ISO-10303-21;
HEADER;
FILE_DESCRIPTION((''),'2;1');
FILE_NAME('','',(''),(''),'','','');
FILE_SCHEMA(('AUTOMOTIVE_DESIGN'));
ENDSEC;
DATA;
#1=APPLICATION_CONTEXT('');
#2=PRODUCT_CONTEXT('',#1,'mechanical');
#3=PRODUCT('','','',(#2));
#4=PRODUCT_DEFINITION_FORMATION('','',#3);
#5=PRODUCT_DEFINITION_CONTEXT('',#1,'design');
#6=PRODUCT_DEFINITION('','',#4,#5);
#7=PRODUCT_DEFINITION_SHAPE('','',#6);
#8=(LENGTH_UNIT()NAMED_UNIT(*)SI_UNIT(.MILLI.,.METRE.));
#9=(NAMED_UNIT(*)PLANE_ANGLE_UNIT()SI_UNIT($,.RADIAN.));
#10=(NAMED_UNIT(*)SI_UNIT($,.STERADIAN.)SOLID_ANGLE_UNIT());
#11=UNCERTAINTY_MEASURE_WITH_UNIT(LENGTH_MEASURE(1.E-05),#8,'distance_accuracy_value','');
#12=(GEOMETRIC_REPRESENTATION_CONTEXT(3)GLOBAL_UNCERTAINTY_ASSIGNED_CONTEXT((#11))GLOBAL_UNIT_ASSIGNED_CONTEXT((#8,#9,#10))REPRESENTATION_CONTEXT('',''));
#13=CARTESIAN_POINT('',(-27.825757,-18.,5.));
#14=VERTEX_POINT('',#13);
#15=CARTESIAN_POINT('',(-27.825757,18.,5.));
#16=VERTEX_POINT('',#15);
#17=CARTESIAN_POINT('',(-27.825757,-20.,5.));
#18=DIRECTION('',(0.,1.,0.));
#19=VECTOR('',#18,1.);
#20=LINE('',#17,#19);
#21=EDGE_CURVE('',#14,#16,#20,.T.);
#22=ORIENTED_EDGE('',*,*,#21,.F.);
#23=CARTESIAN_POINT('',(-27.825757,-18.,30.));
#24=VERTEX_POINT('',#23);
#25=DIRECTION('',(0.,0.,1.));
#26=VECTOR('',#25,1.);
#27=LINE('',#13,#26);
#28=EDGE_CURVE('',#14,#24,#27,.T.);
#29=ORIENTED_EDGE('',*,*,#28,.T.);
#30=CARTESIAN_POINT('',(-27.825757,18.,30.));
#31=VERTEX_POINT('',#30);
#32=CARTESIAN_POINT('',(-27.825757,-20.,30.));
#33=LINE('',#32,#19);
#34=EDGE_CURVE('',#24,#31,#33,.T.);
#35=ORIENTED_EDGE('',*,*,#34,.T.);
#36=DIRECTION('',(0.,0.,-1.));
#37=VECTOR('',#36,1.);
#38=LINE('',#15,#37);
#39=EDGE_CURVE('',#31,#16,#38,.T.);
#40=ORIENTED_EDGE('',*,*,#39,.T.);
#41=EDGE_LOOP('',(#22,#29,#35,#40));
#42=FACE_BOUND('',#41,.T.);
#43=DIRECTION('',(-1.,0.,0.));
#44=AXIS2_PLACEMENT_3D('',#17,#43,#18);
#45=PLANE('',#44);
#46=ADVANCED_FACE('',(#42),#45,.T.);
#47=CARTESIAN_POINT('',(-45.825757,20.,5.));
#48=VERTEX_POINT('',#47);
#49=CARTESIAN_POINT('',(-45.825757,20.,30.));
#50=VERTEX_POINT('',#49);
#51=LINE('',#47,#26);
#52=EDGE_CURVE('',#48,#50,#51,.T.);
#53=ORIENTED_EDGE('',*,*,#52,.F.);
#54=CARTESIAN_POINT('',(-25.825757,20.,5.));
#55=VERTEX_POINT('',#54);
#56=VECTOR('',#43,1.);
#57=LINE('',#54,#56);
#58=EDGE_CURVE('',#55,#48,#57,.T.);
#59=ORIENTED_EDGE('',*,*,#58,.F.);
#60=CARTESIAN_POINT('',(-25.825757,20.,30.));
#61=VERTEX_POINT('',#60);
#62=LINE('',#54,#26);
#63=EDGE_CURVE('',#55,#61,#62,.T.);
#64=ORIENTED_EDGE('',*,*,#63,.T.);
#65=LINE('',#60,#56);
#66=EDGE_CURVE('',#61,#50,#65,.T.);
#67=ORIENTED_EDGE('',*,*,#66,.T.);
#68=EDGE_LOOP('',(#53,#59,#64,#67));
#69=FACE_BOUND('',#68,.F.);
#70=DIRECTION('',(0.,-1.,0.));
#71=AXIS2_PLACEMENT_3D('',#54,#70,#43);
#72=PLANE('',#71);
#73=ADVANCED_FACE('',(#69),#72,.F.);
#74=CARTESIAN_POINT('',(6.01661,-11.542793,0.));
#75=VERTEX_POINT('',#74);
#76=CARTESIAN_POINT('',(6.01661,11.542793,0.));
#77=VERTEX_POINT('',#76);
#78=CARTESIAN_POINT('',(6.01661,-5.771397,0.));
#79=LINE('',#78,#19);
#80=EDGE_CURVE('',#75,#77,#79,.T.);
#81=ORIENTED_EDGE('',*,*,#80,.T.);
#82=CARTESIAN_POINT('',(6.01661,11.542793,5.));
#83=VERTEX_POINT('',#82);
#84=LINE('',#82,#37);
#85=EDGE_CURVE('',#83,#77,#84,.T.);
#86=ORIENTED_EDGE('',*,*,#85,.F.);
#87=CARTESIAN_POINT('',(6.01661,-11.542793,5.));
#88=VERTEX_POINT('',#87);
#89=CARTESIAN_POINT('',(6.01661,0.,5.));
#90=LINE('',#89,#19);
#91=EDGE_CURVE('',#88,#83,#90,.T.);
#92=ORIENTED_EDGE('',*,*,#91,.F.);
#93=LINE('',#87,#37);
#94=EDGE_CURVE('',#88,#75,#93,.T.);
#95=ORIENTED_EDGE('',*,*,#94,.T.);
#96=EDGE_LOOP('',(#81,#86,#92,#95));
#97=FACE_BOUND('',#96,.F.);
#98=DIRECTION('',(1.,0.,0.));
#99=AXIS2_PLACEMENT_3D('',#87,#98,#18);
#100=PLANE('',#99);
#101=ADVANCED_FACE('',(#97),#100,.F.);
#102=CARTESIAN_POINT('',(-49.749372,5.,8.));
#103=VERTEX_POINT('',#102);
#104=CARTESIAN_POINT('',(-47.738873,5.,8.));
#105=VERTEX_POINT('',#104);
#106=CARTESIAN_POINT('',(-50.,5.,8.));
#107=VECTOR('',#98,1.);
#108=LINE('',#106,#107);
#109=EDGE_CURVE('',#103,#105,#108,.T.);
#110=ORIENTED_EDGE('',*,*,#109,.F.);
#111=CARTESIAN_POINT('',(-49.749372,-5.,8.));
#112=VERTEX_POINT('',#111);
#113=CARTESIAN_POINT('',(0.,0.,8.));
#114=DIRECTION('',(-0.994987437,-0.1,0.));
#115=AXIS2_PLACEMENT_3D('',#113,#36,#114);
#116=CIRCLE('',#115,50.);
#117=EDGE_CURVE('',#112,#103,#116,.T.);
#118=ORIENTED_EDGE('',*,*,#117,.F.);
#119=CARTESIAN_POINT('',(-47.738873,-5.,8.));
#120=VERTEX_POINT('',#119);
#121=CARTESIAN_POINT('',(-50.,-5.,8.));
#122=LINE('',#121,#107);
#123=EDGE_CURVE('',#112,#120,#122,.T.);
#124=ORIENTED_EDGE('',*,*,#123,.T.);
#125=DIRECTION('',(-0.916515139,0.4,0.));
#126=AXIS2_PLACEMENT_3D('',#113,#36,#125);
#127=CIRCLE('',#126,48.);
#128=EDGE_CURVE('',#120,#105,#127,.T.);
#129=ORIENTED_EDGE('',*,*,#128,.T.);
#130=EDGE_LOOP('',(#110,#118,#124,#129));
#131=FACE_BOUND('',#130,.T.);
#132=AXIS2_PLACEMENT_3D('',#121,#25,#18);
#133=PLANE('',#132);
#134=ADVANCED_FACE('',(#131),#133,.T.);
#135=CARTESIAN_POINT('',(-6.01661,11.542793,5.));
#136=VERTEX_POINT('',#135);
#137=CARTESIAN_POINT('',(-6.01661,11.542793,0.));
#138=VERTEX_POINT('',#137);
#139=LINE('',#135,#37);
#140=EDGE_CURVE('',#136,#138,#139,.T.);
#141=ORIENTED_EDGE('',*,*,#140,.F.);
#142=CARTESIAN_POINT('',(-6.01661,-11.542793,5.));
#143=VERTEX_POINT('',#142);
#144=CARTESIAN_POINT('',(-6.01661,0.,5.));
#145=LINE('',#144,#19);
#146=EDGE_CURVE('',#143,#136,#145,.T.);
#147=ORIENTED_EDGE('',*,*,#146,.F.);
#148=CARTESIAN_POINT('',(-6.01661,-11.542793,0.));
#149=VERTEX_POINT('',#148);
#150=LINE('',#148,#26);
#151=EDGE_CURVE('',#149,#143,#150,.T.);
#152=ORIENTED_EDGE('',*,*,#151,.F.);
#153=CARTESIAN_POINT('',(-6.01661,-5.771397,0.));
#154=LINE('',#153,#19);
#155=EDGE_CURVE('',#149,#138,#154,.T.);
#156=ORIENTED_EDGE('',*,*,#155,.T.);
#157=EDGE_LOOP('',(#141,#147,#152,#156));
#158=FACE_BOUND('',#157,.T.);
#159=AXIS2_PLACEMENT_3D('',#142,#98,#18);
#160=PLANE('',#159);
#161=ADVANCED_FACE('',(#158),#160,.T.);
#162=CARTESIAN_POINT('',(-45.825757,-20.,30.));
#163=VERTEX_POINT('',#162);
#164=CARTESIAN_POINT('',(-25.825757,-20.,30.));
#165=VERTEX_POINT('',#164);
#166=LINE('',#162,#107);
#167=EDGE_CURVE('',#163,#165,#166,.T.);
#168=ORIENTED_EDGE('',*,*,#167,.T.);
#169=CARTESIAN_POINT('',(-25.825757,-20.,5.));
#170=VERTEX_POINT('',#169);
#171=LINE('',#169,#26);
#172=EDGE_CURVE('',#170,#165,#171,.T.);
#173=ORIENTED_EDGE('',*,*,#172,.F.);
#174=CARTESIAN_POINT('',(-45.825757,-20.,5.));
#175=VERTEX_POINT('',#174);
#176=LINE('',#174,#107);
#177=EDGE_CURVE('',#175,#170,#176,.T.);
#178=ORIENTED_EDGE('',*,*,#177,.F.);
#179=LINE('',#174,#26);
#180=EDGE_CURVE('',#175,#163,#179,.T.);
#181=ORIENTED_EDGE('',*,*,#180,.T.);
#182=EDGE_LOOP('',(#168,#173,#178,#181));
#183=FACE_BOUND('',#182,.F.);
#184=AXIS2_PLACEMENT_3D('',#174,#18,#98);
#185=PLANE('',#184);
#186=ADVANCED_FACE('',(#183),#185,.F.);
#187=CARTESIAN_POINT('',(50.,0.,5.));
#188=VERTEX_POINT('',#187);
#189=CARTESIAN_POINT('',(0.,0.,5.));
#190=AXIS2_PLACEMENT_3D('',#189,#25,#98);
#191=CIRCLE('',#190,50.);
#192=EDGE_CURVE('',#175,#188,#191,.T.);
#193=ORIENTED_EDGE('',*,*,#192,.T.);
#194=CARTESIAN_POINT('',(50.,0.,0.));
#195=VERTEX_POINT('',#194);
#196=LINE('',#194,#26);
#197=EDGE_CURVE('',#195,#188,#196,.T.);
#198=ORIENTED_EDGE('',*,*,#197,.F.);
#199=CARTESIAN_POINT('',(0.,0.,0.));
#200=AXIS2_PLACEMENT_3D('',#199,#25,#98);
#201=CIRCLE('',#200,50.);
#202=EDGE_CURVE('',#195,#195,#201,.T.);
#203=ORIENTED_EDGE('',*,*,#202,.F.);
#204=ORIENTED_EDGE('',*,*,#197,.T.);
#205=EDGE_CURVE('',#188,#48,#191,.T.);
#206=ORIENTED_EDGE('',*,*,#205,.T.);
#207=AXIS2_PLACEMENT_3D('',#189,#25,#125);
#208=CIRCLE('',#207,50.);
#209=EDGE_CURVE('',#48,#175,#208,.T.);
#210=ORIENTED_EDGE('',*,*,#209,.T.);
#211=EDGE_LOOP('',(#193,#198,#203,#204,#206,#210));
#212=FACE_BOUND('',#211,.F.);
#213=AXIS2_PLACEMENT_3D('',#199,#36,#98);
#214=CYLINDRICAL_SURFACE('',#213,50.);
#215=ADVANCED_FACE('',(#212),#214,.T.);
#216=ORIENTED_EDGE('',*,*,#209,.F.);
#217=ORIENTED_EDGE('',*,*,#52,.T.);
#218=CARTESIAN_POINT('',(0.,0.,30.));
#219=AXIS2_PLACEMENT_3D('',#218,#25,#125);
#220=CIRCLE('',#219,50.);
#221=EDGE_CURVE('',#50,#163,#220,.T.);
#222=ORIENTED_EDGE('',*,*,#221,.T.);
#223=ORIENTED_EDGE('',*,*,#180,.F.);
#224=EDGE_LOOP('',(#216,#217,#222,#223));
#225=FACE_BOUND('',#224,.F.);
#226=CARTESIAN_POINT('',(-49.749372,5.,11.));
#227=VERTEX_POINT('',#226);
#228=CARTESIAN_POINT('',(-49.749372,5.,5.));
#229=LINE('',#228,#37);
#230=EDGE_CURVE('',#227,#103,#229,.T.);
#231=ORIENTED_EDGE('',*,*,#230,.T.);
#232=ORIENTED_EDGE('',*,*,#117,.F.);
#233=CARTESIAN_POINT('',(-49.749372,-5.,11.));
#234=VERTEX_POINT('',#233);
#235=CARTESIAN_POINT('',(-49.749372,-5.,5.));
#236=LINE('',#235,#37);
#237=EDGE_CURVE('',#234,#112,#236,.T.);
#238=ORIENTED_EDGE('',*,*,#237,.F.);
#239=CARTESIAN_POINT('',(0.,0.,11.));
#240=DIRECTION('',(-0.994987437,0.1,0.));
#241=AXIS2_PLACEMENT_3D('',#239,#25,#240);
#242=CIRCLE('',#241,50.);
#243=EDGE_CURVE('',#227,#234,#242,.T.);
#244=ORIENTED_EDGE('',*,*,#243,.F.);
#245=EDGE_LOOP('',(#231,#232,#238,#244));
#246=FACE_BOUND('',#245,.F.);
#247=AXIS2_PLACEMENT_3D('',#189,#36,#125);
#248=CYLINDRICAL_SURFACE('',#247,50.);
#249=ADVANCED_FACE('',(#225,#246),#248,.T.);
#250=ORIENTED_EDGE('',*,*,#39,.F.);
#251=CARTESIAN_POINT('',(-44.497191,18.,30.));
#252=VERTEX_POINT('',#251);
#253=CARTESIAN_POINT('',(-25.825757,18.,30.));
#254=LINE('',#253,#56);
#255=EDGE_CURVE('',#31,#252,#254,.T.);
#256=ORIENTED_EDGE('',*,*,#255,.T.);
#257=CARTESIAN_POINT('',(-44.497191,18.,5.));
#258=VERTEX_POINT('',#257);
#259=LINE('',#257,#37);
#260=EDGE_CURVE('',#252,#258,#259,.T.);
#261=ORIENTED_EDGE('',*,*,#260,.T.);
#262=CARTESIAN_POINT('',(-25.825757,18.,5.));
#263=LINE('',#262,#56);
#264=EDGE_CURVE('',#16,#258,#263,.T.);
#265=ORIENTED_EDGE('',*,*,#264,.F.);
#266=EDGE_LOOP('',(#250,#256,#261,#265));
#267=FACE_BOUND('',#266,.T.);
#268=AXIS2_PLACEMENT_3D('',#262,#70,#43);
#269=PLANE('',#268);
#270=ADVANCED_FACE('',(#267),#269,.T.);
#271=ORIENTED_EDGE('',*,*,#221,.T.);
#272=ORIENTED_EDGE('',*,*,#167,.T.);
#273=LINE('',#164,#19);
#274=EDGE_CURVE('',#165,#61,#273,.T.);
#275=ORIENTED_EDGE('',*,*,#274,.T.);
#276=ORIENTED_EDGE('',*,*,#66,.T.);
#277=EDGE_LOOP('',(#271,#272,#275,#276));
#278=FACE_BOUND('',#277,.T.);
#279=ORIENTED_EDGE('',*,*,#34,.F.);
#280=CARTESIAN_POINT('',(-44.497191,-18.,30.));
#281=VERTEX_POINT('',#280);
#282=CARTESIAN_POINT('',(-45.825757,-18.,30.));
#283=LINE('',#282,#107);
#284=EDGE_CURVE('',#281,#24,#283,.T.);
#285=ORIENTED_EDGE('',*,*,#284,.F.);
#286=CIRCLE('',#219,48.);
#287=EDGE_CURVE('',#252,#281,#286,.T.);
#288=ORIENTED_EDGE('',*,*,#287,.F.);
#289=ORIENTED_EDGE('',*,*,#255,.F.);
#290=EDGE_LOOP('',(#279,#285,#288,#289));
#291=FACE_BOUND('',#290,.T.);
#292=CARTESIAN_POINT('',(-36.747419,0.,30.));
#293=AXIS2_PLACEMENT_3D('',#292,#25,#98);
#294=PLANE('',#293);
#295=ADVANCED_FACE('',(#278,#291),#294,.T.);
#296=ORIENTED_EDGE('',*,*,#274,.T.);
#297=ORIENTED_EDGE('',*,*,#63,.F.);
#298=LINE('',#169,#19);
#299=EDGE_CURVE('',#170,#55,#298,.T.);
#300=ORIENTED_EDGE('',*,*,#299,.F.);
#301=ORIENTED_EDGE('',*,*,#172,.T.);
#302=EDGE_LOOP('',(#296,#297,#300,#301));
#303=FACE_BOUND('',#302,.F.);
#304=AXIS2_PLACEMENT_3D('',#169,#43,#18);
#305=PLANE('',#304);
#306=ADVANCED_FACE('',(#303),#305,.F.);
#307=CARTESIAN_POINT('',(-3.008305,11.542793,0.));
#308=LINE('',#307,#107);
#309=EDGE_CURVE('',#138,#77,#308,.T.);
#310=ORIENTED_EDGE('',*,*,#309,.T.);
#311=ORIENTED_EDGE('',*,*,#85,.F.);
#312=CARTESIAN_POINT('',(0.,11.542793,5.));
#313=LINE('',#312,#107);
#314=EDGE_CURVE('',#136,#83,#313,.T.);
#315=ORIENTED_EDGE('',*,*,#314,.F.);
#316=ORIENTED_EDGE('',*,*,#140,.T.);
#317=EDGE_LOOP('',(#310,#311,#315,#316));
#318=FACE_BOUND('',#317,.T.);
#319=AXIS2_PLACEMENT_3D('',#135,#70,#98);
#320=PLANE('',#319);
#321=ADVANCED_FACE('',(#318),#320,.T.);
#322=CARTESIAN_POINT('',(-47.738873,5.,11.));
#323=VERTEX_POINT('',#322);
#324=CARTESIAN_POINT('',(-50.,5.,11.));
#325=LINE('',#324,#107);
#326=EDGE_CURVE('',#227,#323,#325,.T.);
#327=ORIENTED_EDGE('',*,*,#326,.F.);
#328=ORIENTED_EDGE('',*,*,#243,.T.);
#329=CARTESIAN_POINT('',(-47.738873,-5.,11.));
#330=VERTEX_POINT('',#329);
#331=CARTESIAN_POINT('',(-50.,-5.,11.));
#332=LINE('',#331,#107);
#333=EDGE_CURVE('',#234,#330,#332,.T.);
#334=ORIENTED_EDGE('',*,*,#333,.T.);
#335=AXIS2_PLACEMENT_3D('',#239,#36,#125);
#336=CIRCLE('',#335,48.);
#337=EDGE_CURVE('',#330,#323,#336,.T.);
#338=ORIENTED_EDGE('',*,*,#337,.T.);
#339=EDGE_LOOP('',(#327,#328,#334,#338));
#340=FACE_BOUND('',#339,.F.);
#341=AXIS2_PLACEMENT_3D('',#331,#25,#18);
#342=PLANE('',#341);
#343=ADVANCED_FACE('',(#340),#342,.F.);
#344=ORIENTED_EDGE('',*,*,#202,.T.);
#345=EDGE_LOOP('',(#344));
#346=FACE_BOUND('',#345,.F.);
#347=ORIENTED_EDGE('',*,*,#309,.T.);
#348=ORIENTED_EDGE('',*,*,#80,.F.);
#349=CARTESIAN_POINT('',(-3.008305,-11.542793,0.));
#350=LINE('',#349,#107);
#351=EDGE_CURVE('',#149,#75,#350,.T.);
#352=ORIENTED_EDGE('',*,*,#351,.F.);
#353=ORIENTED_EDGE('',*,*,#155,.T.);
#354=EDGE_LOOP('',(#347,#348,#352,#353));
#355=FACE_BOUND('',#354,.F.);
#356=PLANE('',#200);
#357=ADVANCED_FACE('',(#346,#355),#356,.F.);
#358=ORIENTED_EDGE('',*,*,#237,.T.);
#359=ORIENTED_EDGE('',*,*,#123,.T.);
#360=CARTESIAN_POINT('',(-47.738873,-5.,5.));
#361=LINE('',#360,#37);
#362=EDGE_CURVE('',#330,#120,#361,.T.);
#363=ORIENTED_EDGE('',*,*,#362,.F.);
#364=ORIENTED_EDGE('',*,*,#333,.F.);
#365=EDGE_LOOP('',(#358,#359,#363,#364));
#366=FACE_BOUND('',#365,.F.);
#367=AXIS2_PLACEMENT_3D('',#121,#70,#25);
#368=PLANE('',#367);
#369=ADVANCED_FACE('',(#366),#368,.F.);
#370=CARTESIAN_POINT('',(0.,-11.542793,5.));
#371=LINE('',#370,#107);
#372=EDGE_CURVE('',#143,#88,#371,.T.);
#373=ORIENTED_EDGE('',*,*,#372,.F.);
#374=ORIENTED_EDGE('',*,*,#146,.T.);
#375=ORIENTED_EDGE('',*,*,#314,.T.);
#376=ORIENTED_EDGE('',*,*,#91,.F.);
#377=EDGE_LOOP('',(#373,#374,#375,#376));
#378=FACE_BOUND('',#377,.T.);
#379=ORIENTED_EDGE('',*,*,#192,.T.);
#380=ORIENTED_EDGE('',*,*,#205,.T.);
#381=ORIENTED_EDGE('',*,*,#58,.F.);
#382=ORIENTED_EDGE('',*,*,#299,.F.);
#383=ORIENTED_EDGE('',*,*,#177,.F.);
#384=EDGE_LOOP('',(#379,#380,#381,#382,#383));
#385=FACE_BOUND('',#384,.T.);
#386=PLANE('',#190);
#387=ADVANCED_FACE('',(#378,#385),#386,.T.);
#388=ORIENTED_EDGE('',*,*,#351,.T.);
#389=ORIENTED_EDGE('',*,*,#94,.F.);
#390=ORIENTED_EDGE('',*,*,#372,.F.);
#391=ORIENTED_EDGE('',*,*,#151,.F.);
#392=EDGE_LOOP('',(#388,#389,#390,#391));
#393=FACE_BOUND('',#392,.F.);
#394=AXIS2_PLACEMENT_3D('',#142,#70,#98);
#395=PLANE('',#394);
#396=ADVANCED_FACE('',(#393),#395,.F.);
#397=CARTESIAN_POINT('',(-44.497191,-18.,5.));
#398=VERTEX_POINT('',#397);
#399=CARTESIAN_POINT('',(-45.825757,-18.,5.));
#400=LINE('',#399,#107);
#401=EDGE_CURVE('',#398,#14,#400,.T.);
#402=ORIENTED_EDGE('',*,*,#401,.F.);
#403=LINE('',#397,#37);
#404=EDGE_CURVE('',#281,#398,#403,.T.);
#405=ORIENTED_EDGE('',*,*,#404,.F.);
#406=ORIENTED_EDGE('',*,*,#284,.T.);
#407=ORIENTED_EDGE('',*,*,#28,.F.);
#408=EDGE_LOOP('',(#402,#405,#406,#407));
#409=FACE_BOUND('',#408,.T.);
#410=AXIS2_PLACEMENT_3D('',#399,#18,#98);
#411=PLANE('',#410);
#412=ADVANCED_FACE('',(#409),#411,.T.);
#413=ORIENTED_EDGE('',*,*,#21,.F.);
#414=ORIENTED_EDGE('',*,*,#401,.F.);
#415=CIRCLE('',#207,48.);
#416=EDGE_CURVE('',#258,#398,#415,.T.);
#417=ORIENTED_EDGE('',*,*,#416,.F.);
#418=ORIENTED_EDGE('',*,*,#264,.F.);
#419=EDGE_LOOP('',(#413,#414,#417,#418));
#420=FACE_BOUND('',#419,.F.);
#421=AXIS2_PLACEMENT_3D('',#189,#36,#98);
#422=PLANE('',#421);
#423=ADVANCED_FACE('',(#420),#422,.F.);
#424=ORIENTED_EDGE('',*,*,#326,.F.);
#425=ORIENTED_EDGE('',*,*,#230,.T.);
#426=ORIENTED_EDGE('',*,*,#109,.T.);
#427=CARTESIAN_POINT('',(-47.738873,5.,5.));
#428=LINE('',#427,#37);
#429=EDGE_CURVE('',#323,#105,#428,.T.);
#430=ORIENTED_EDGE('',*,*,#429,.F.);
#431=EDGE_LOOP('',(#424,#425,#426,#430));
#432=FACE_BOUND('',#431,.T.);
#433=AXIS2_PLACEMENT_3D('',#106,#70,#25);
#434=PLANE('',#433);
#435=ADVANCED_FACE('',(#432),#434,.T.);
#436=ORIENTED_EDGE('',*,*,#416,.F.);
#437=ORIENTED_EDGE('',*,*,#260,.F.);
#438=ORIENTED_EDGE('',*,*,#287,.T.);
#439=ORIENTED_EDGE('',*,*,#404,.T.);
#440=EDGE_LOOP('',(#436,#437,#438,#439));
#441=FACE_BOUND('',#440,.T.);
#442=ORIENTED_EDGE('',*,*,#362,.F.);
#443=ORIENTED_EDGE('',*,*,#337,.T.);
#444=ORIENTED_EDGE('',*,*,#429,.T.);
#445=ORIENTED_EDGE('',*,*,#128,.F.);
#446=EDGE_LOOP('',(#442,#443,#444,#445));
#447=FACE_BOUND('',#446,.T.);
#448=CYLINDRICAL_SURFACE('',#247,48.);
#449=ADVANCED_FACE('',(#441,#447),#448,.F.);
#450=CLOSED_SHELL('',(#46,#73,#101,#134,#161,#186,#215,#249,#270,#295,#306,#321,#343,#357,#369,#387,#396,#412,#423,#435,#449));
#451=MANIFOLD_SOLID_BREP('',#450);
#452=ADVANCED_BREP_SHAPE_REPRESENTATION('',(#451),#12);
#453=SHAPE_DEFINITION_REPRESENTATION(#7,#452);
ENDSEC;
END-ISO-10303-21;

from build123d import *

# Parameters (mm, degrees)
F0_R      = 50
F1_DEPTH  = 5
F3_DEPTH  = 25
F4_T      = -2
F6_W      = 10
F6_H      = 3
F7_DEPTH  = 3
F8_W      = 12.0332203805
F8_H      = 23.0855867267
F9_DEPTH  = 25
F10_R     = 50
F10_W     = 12.0332203805
F10_H     = 23.0855867267
F11_DEPTH = 5


with BuildPart() as f1:
    # F0 (on Top) → F1 (new body)
    with BuildSketch(Plane.XY):
        Circle(F0_R)
    extrude(amount=F1_DEPTH)

    # F2 (on face) → F3 (join)
    with BuildSketch(Plane.XY.offset(5)):
        with BuildLine():
            Line((-25.8257569496, 20), (-45.8257569496, 20))
            ThreePointArc((-45.8257569496, 20), (-50, 0), (-45.8257569496, -20))
            Line((-45.8257569496, -20), (-25.8257569496, -20))
            Line((-25.8257569496, -20), (-25.8257569496, 20))
        make_face()
    extrude(amount=F3_DEPTH)

    # F4
    f4_openings = [f1.faces().sort_by_distance(p)[0] for p in [
        (-37.262739, 0, 30),
    ]]
    offset(amount=F4_T, openings=f4_openings)

    # F6 (on offset) → F7 (cut)
    with BuildSketch(Plane.YZ.offset(-50)):
        with Locations((0, 9.5)):
            Rectangle(F6_W, F6_H)
    extrude(amount=F7_DEPTH, mode=Mode.SUBTRACT)

    # F8 (on face) → F9 (cut)
    with BuildSketch(Plane.XY.offset(5)):
        Rectangle(F8_W, F8_H)
    extrude(amount=-F9_DEPTH, mode=Mode.SUBTRACT)

    # F10 (on face) → F11 (join)
    with BuildSketch(Plane(origin=(0, 0, 0), x_dir=(1, 0, 0), z_dir=(0, 0, -1))):
        Circle(F10_R)
        Rectangle(F10_W, F10_H, mode=Mode.SUBTRACT)
    extrude(amount=-F11_DEPTH)


solid = f1.part
